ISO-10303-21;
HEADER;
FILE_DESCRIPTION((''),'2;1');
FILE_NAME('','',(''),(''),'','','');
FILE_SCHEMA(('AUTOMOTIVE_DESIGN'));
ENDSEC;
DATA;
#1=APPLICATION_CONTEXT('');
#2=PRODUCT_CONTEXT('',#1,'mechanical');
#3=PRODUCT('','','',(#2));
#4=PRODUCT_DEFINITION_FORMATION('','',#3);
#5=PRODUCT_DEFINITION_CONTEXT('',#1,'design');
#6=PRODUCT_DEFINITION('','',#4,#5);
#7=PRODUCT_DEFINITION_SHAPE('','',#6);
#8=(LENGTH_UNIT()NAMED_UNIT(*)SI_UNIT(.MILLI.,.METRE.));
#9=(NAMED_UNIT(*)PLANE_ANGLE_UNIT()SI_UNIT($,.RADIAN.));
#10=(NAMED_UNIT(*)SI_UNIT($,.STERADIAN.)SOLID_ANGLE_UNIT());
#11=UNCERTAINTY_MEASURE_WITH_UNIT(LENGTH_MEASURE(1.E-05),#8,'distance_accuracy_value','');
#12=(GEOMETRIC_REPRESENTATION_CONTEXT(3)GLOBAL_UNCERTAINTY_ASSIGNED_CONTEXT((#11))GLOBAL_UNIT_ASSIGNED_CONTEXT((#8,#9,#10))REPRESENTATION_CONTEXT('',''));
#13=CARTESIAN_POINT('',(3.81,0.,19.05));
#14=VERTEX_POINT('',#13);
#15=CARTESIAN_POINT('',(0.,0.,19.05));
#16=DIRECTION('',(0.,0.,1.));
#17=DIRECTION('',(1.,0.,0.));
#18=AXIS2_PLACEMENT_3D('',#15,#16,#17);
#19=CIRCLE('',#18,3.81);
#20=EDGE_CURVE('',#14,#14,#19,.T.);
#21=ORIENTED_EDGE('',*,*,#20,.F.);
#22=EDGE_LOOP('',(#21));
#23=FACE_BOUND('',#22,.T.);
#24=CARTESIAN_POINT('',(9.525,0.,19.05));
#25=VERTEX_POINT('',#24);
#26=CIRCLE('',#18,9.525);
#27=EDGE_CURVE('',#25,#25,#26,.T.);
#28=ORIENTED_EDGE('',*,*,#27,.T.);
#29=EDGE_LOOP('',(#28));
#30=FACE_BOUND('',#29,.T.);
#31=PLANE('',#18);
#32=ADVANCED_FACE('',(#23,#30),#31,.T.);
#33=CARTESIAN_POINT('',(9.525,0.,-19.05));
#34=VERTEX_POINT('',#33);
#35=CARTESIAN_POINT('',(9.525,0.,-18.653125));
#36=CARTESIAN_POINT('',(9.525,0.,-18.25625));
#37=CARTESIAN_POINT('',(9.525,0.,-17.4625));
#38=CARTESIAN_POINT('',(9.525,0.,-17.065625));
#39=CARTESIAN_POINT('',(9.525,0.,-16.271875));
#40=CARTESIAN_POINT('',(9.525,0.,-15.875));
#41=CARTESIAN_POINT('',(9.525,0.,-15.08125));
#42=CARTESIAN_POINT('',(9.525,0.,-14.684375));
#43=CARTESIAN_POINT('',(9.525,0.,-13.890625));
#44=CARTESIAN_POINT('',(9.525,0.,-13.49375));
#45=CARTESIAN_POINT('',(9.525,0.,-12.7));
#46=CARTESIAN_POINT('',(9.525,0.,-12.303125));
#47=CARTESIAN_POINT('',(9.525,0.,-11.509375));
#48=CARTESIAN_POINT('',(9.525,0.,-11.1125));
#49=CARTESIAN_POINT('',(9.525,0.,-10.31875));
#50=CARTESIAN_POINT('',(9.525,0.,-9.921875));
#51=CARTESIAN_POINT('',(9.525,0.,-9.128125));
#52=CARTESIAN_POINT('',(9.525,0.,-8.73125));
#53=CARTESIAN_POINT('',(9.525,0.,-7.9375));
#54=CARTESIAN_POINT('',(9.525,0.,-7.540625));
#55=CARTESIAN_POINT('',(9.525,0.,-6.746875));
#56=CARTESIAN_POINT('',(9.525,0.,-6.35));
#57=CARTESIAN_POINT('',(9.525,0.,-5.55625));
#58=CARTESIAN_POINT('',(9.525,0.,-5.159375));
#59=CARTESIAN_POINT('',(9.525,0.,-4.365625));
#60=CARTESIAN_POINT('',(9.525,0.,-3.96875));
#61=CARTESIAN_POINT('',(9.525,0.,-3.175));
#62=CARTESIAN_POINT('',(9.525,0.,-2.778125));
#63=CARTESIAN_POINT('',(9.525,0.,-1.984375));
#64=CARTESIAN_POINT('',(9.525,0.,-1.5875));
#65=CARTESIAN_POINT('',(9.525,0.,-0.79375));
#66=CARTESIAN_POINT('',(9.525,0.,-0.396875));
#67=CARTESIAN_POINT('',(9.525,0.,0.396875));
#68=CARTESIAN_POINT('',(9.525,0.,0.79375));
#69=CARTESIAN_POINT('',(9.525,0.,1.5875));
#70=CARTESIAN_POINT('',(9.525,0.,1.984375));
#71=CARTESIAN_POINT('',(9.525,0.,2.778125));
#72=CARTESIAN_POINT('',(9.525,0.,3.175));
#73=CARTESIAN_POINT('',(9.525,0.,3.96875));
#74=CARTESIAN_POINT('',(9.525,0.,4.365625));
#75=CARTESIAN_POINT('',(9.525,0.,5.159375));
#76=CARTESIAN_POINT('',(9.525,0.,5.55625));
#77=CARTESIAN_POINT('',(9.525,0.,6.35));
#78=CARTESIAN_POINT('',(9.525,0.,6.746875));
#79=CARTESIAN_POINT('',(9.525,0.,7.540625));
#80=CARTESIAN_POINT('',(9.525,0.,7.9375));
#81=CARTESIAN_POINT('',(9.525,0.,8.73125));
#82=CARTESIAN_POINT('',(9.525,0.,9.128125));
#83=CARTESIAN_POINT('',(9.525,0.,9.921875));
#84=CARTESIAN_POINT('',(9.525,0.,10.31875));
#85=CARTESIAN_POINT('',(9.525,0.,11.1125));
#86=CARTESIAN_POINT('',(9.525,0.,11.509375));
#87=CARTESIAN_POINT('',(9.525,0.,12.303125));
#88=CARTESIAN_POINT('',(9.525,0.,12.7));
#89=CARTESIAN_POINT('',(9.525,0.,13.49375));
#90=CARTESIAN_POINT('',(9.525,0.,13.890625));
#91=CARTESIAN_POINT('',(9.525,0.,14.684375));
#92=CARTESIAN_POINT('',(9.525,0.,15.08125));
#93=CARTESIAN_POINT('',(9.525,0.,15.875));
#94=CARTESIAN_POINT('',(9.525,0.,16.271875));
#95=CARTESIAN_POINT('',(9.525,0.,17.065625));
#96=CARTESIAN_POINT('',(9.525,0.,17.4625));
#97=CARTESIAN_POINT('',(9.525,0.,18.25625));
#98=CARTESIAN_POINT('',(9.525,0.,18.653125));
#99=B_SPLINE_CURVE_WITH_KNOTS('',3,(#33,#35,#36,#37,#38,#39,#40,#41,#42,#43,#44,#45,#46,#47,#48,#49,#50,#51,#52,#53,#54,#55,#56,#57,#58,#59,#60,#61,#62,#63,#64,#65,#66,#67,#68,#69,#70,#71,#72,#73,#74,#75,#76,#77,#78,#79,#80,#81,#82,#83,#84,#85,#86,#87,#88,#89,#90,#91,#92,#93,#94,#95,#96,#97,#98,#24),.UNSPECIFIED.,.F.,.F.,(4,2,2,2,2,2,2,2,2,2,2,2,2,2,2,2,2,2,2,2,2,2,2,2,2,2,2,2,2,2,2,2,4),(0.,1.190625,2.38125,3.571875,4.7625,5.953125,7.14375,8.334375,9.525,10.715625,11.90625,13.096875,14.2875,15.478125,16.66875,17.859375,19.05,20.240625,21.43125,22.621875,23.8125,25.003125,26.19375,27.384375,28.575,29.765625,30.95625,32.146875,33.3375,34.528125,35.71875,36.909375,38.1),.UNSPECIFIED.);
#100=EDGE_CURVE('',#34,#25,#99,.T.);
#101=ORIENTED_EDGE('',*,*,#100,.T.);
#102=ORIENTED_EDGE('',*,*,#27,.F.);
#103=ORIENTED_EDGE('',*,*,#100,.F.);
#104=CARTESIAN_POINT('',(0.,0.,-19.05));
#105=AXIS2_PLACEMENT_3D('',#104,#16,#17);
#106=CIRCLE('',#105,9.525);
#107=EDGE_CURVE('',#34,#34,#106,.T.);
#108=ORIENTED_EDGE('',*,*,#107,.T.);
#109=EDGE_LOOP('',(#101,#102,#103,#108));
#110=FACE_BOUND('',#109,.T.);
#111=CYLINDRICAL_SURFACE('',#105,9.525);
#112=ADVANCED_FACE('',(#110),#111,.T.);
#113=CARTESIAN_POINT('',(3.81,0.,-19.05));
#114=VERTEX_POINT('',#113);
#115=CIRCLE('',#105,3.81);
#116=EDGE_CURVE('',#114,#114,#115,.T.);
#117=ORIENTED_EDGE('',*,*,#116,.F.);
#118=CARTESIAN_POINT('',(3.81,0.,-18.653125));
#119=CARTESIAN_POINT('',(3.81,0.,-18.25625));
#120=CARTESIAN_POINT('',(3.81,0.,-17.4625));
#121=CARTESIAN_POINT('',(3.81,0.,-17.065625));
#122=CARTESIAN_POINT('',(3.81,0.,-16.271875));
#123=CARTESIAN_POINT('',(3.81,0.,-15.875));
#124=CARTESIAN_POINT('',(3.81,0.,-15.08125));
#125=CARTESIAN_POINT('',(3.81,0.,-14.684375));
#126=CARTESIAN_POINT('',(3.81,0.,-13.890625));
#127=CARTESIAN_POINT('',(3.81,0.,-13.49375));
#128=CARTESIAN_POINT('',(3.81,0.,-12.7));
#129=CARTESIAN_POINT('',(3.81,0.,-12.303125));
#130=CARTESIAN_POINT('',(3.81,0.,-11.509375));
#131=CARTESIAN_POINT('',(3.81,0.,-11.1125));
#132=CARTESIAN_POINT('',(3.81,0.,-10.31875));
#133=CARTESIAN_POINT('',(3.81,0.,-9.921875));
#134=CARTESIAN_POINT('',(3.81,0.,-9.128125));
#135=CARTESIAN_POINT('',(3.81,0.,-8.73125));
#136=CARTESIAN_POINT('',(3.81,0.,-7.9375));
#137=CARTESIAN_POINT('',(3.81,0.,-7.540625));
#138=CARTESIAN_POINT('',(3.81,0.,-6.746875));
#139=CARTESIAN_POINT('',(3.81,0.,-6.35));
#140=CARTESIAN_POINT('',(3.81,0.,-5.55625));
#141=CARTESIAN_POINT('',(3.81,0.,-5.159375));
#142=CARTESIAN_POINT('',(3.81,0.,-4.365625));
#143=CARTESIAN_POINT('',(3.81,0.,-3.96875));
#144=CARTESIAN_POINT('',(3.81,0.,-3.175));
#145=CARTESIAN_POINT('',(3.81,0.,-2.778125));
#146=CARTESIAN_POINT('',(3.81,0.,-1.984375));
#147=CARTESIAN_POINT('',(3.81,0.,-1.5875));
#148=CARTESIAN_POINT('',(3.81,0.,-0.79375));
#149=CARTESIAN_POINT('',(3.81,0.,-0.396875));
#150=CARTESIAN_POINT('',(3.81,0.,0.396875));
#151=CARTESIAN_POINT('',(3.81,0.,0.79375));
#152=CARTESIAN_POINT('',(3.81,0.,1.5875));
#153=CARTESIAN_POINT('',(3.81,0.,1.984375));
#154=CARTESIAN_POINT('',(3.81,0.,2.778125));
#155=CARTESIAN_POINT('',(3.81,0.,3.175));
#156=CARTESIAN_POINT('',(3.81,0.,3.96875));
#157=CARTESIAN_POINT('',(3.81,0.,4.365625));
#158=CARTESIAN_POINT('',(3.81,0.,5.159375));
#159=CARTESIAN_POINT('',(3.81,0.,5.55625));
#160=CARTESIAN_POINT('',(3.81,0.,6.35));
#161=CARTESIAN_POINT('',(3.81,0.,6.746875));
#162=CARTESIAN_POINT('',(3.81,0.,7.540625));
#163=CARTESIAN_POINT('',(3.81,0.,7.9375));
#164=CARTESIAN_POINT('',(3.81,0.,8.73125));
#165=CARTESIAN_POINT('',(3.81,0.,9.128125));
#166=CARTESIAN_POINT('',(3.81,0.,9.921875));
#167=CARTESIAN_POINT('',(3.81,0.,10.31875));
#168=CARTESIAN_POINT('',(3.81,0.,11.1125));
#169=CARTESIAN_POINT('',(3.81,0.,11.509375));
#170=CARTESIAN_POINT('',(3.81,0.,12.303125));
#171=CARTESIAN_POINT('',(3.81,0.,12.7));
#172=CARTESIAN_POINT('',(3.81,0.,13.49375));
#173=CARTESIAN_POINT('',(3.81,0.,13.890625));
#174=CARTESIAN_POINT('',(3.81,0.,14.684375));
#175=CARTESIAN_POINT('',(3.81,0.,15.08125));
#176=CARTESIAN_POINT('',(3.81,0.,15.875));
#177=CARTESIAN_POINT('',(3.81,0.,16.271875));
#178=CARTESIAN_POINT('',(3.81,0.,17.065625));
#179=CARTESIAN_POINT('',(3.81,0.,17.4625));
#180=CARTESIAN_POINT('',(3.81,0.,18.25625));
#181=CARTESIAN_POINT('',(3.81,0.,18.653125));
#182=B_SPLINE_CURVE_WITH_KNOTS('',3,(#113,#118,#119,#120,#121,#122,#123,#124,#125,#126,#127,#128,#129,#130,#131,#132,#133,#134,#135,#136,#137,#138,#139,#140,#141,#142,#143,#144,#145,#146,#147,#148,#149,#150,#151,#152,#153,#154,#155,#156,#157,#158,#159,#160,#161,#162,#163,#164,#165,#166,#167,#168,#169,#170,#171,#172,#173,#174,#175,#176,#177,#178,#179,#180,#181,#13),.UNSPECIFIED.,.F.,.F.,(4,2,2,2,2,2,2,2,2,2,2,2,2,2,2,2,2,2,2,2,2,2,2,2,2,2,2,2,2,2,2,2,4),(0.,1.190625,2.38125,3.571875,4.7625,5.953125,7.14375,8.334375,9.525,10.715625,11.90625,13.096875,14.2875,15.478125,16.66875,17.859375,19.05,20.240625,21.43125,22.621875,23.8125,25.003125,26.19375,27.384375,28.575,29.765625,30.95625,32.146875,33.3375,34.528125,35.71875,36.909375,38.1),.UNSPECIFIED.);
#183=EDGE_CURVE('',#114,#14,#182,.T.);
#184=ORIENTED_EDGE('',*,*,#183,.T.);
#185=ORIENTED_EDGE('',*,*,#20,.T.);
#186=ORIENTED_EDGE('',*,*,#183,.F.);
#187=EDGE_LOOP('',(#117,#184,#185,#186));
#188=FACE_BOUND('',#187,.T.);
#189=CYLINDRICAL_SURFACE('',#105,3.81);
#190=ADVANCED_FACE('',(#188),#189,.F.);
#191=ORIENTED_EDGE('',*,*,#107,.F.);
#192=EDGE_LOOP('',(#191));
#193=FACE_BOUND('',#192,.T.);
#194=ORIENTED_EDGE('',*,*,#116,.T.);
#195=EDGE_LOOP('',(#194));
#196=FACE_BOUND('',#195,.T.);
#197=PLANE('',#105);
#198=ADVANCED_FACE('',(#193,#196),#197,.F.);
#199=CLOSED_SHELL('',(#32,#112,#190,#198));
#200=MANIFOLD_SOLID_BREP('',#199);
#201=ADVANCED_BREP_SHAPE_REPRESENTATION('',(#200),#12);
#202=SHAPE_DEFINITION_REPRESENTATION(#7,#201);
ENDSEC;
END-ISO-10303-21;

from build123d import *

# Parameters (mm, degrees)
BOSS_EXTRUDE1_DEPTH      = 19.05
BOSS_EXTRUDE1_DEPTH_BACK = 19.05
SKETCH1_R                = 9.525
SKETCH1_R_2              = 3.81


with BuildPart() as part:
    # Sketch1 → Boss-Extrude1 (new, two sides: drawn at the far end of the back side and taken through both)
    with BuildSketch(Plane.XY.offset(-BOSS_EXTRUDE1_DEPTH_BACK)):
        Circle(SKETCH1_R)
        Circle(SKETCH1_R_2, mode=Mode.SUBTRACT)
    extrude(amount=BOSS_EXTRUDE1_DEPTH + BOSS_EXTRUDE1_DEPTH_BACK)


solid = part.part
